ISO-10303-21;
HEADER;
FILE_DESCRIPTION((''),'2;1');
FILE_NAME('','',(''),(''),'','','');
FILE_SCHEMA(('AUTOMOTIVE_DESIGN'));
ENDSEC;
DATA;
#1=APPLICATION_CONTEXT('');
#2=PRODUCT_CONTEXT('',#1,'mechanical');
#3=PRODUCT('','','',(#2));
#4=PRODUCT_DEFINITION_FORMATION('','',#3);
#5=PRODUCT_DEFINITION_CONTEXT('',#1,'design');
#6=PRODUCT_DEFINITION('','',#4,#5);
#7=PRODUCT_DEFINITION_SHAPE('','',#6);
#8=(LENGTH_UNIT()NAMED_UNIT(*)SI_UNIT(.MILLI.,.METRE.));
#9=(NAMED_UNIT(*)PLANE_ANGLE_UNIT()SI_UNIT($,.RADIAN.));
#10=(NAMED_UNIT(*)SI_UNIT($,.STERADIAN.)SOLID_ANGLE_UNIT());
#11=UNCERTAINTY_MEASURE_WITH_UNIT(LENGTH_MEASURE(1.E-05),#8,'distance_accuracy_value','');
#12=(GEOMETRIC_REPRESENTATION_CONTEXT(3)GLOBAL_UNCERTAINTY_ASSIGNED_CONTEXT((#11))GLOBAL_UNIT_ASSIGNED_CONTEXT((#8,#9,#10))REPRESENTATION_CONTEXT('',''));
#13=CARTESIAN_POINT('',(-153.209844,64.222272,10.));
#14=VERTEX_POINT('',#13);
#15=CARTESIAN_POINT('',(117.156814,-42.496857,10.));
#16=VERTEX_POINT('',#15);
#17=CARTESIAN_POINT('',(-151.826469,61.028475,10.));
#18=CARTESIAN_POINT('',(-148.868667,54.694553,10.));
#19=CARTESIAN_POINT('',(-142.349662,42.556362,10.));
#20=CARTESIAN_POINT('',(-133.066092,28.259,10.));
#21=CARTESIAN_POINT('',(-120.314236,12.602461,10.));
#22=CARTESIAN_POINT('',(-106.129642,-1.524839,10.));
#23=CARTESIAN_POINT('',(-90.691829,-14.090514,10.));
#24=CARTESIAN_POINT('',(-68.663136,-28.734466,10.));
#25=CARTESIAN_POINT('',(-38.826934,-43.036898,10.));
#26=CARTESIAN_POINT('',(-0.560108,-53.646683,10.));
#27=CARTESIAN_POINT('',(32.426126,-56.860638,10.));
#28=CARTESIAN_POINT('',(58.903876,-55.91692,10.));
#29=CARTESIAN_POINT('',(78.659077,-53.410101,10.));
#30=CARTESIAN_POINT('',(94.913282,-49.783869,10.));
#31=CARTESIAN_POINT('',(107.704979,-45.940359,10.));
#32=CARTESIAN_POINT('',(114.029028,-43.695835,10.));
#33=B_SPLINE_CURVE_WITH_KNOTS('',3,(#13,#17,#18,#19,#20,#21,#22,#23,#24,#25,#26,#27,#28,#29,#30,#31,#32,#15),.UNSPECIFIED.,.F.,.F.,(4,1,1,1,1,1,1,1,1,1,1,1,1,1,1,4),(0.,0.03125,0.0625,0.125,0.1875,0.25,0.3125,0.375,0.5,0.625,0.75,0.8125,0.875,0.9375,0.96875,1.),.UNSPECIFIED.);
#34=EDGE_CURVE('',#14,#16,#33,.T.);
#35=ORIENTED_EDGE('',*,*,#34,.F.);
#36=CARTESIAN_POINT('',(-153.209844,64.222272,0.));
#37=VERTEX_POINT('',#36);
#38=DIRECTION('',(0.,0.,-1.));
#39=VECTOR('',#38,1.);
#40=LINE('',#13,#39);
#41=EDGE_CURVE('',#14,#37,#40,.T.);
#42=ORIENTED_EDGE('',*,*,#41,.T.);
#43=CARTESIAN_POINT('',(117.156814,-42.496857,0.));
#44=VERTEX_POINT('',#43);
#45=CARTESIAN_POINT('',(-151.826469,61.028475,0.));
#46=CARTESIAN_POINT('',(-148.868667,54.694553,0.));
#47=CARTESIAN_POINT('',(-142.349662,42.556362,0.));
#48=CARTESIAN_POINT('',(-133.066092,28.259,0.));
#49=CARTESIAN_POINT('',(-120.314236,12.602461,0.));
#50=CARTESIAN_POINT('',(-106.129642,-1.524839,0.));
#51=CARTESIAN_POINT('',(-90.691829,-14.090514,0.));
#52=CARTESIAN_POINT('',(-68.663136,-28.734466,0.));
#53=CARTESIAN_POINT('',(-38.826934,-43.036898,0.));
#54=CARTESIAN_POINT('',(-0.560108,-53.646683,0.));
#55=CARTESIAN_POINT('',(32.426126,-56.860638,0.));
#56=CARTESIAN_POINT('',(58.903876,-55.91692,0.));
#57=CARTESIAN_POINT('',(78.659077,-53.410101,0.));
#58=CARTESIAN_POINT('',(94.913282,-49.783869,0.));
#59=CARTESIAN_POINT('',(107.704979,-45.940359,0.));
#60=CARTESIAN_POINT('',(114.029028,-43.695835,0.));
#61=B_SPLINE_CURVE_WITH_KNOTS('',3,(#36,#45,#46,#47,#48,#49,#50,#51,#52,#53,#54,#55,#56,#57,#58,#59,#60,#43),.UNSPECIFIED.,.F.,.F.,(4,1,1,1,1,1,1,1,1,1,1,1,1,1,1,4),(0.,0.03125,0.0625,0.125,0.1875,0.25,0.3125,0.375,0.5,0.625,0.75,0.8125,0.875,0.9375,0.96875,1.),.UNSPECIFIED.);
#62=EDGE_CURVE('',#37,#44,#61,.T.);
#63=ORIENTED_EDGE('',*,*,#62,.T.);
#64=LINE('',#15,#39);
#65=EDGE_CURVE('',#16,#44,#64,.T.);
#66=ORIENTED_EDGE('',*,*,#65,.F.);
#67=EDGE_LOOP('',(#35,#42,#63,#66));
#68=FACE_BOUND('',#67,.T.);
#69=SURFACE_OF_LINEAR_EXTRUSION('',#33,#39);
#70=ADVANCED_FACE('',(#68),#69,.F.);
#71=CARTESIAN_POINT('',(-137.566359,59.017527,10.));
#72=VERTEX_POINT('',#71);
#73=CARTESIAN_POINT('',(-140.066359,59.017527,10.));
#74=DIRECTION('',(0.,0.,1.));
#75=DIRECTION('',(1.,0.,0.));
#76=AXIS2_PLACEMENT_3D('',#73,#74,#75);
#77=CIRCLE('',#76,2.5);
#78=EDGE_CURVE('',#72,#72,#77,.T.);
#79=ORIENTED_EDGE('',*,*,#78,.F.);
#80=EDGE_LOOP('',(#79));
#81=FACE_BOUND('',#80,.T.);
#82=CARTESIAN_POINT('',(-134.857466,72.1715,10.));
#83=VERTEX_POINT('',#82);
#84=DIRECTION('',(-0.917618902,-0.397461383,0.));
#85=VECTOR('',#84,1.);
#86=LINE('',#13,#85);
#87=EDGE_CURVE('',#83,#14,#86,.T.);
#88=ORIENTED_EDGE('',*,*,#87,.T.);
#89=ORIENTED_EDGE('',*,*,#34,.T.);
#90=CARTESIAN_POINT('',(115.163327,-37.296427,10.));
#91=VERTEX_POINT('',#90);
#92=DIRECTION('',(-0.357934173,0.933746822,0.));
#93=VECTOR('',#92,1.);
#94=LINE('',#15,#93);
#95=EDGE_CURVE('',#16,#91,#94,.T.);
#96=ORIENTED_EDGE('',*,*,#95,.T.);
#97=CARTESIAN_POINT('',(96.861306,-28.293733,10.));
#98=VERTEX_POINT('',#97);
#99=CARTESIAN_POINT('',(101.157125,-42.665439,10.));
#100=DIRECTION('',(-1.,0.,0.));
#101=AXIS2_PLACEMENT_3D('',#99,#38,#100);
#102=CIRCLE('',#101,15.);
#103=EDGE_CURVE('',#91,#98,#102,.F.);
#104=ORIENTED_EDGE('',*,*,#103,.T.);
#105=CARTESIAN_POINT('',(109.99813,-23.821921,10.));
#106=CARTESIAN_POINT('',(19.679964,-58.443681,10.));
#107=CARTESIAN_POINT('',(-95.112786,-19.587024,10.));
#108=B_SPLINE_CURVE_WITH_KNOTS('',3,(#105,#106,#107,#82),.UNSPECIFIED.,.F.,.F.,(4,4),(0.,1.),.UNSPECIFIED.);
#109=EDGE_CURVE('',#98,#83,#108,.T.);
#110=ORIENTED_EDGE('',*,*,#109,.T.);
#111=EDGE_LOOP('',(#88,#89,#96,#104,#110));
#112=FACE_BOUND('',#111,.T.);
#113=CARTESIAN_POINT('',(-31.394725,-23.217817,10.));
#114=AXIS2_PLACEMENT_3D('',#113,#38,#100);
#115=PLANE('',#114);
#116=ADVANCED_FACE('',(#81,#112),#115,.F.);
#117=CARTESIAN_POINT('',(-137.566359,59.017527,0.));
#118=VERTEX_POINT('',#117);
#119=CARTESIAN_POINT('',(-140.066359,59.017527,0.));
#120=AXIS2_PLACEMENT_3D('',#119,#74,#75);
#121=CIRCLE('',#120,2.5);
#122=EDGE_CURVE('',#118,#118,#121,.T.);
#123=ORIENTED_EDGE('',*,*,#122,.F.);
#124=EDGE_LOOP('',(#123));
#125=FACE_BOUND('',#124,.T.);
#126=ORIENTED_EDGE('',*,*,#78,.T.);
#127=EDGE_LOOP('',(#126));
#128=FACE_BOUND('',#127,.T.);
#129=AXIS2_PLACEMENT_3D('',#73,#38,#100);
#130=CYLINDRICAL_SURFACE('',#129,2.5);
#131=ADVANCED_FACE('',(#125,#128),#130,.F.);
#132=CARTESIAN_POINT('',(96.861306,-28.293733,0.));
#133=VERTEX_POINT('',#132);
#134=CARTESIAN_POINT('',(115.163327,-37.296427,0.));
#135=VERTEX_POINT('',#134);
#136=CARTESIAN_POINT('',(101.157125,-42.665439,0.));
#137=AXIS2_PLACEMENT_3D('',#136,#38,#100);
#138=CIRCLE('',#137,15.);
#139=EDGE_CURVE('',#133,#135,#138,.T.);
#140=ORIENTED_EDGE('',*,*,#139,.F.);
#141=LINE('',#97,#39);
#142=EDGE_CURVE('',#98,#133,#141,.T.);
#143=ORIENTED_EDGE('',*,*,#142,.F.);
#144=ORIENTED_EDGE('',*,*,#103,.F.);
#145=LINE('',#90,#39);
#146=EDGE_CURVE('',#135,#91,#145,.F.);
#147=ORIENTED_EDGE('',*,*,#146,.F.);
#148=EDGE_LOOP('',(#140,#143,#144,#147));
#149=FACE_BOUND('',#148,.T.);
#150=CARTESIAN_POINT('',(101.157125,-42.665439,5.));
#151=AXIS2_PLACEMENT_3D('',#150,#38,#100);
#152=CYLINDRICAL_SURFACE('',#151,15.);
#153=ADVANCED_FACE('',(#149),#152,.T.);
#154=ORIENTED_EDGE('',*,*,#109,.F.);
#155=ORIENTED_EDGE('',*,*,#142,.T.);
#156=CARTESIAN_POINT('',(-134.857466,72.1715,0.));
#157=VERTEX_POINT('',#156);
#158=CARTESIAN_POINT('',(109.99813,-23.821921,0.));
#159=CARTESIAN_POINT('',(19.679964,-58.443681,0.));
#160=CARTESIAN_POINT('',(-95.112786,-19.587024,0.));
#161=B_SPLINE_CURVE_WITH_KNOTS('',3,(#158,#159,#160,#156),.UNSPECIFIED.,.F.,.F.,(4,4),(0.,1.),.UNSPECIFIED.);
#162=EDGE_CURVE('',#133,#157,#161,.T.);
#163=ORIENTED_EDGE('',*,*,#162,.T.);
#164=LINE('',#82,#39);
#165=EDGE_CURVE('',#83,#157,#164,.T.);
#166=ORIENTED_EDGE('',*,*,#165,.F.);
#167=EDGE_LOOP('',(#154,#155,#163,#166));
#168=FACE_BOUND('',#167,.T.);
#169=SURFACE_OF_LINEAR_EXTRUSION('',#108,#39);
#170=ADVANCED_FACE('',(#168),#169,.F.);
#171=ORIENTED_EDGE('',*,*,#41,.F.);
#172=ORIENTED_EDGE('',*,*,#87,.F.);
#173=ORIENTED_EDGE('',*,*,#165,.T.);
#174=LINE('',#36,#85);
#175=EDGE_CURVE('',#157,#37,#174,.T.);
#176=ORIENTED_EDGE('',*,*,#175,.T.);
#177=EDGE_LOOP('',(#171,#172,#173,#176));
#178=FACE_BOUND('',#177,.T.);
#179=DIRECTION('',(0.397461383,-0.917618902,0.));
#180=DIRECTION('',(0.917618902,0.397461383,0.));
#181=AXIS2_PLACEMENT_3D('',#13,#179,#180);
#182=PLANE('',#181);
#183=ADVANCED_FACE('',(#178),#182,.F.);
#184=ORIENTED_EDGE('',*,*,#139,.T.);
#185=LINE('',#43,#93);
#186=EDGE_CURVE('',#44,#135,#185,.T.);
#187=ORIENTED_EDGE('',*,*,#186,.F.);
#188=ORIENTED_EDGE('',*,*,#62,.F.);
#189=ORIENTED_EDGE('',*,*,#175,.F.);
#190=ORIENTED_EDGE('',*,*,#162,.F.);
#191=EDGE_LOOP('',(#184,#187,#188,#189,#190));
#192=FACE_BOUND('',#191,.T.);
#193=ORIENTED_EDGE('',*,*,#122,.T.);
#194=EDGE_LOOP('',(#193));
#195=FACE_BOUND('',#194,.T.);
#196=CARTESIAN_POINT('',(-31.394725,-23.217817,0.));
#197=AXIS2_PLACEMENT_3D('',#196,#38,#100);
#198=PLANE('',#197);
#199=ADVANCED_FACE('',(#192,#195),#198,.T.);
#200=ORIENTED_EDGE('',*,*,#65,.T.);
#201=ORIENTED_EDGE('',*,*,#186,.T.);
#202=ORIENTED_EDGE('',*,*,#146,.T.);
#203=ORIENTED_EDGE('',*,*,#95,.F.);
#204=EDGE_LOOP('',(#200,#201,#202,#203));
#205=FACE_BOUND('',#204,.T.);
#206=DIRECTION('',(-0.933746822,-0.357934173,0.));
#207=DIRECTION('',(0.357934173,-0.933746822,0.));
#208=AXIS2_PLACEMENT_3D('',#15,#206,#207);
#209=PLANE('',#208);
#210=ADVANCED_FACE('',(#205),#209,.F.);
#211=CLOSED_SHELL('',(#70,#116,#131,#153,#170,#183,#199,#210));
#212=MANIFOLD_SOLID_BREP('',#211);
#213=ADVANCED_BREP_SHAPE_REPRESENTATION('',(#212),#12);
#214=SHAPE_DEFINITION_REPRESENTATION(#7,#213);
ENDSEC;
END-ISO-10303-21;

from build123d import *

# Parameters (mm, degrees)
SKETCH1_R           = 2.5
BOSS_EXTRUDE1_DEPTH = 10
FILLET1_R           = 15


with BuildPart() as part:
    # Sketch1 → Boss-Extrude1 (new body)
    with BuildSketch(Plane.XY):
        with BuildLine():
            Line((-153.209844122, 64.22227218), (-134.857466087, 72.171499844))
            add(Edge.make_bspline(
                [(-134.857466087, 72.171499844), (-95.112786079, -19.587023525), (19.679963539, -58.443680936), (109.998130478, -23.821920924)],
                knots=[0, 0, 0, 0, 1, 1, 1, 1], degree=3))
            Line((109.998130478, -23.821920924), (117.156813937, -42.496857366))
            add(Edge.make_bspline(
                [(-153.209844122, 64.22227218), (-151.826469152, 61.02847506), (-148.868667036, 54.694552651), (-142.349662301, 42.556362443), (-133.066091683, 28.258999789), (-120.314236403, 12.602461078), (-106.129642392, -1.524838982), (-90.691829348, -14.090513707), (-68.663135829, -28.734465967), (-38.826934331, -43.036898498), (-0.560107528, -53.64668274), (32.42612627, -56.860637918), (58.90387557, -55.916919646), (78.65907651, -53.410100787), (94.913282093, -49.78386899), (107.704978524, -45.940359032), (114.029028194, -43.695834837), (117.156813937, -42.496857366)],
                knots=[0, 0, 0, 0, 0.03125, 0.0625, 0.125, 0.1875, 0.25, 0.3125, 0.375, 0.5, 0.625, 0.75, 0.8125, 0.875, 0.9375, 0.96875, 1, 1, 1, 1], degree=3))
        make_face()
        with Locations((-140.066359364, 59.017527205)):
            Circle(SKETCH1_R, mode=Mode.SUBTRACT)
    extrude(amount=BOSS_EXTRUDE1_DEPTH)

    # Fillet1
    fillet1_edges = [part.edges().sort_by_distance(p)[0] for p in [
        (109.998130478, -23.821920924, 5),
    ]]
    fillet(fillet1_edges, radius=FILLET1_R)


solid = part.part
